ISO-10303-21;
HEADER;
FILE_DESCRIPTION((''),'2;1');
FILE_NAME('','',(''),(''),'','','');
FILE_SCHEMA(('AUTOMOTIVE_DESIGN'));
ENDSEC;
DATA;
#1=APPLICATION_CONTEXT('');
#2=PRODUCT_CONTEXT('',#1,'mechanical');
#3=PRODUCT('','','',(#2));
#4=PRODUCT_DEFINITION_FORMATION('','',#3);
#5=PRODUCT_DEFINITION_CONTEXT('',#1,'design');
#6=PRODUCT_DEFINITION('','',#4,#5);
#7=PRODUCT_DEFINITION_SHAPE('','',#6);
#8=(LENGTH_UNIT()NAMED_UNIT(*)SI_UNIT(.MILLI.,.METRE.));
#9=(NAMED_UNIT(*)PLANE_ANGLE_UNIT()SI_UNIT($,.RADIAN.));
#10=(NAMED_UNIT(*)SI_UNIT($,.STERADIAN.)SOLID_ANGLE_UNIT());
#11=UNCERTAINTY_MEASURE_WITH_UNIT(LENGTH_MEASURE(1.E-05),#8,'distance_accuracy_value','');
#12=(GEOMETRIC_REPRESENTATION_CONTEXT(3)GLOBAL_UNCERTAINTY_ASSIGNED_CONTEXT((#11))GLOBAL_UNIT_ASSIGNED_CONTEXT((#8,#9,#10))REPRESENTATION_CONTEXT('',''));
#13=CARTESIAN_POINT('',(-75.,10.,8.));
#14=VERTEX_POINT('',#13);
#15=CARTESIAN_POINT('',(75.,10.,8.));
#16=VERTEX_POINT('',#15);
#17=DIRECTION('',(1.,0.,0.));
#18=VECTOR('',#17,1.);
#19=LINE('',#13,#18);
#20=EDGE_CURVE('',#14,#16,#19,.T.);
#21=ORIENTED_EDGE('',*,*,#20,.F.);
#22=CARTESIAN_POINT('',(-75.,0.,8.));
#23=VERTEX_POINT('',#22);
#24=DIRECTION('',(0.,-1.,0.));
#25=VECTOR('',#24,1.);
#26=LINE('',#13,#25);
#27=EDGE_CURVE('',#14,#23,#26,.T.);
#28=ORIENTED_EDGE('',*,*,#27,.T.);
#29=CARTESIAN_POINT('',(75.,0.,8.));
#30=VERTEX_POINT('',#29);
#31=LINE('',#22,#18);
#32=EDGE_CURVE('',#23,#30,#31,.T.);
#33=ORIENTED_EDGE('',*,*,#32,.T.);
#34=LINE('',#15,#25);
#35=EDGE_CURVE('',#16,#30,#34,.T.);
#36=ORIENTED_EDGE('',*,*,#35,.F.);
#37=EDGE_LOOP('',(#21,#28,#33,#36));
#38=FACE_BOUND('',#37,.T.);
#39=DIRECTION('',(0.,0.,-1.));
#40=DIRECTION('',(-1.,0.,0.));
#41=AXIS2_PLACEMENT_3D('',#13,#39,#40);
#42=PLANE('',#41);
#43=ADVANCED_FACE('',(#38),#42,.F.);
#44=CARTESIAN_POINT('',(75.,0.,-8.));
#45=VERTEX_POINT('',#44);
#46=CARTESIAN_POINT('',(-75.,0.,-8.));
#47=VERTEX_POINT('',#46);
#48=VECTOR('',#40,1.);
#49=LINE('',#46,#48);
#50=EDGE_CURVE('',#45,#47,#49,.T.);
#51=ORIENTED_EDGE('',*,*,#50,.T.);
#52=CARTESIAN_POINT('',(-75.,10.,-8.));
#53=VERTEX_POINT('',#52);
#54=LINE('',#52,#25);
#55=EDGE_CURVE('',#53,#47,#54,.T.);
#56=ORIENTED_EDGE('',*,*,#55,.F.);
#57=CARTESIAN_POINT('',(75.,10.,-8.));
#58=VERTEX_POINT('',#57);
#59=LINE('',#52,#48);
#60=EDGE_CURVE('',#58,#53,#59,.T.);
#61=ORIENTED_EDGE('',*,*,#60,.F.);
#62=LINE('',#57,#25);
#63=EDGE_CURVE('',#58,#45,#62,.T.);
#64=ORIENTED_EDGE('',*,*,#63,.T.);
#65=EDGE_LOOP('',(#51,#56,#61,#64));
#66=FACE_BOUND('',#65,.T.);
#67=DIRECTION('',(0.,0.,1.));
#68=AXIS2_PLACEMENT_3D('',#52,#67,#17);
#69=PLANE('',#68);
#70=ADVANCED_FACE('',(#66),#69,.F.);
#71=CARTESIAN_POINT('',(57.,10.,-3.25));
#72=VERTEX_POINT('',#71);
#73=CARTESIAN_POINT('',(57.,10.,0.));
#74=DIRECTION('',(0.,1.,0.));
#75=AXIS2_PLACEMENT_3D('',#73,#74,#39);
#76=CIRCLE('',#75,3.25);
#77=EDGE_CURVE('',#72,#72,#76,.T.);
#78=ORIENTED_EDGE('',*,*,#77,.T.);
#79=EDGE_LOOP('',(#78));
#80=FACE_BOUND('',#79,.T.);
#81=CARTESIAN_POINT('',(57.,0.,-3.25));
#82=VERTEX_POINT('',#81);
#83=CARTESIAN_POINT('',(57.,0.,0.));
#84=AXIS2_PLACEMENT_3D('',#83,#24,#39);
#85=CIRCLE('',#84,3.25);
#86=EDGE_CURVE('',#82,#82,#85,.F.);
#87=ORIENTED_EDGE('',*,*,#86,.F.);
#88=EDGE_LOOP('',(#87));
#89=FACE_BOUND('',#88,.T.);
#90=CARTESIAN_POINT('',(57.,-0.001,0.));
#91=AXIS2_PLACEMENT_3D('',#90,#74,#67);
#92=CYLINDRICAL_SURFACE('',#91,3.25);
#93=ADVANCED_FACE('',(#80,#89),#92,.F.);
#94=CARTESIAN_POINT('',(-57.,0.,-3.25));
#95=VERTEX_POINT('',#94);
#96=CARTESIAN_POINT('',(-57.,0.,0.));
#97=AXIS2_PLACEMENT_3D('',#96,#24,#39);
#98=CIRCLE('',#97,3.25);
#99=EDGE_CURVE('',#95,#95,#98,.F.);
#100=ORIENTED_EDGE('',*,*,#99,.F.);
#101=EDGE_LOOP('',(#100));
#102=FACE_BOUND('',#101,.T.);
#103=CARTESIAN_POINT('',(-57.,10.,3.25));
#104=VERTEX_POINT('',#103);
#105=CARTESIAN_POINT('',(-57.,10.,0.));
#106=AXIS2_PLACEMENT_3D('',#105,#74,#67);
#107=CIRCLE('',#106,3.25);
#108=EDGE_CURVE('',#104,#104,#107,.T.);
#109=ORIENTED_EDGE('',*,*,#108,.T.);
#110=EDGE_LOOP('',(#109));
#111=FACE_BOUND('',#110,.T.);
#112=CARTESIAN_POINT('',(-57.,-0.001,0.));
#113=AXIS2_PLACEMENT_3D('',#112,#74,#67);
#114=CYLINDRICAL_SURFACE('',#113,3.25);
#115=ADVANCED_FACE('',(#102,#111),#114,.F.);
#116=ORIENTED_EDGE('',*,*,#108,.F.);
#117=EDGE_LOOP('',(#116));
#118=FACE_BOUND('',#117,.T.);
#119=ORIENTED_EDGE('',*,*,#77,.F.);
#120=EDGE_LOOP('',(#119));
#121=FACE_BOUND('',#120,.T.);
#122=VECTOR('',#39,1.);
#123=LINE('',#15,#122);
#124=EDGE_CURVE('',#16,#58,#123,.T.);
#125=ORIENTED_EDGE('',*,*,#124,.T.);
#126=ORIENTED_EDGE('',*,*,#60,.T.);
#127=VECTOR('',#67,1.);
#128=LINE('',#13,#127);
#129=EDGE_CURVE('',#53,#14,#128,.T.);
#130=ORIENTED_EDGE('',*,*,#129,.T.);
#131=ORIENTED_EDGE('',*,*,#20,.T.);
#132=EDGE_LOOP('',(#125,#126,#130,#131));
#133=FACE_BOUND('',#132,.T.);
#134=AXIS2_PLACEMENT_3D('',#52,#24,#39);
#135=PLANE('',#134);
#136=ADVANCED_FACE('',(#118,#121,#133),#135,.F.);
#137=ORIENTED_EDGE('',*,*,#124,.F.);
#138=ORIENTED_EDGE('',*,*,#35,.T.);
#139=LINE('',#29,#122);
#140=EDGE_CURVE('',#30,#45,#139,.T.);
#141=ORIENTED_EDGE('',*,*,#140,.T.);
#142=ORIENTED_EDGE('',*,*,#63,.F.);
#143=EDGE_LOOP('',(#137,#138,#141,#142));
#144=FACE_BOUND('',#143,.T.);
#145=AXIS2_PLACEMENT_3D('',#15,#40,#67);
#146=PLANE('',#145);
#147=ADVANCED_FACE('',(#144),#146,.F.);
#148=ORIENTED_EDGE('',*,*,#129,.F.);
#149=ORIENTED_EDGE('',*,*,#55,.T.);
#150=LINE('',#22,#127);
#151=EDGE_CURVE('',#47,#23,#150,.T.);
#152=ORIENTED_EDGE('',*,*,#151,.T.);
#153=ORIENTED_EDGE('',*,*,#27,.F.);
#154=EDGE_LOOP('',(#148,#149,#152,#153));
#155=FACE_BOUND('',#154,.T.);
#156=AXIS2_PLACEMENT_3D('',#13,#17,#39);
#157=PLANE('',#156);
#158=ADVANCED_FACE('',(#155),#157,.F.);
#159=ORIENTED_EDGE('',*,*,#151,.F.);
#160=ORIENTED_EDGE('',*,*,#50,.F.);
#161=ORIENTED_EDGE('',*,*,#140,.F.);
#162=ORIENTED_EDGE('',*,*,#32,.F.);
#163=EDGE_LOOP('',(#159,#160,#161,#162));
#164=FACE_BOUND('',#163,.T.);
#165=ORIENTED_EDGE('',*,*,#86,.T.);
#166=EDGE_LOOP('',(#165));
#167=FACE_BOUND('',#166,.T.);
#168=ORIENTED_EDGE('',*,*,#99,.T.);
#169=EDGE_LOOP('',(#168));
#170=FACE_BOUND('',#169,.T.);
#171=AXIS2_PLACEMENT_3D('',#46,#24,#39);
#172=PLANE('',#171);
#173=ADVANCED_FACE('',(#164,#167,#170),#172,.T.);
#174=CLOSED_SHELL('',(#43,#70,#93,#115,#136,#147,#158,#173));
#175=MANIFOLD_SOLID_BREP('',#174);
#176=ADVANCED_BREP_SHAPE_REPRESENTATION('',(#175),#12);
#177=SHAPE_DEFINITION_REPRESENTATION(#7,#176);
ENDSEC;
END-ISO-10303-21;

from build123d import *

# Parameters (mm, degrees)
SKETCH1_W           = 150
SKETCH1_H           = 16
BOSS_EXTRUDE1_DEPTH = 10
CUT_EXTRUDE1_REACH  = 78.085
SKETCH2_R           = 3.25


with BuildPart() as part:
    # Sketch1 → Boss-Extrude1 (new body)
    with BuildSketch(Plane(origin=(0, 0, 0), x_dir=(1, 0, 0), z_dir=(0, 1, 0))):
        Rectangle(SKETCH1_W, SKETCH1_H)
    extrude(amount=BOSS_EXTRUDE1_DEPTH)

    # Sketch2 → Cut-Extrude1 (cut, up to next)
    with BuildSketch(Plane(origin=(0, 10, 0), x_dir=(1, 0, 0), z_dir=(0, 1, 0)), mode=Mode.PRIVATE) as cut_extrude1_sk1:
        with Locations(Location((-57, 0, 0), (0, 0, 270))):
            Circle(SKETCH2_R)
    cut_extrude1_tool1 = extrude(cut_extrude1_sk1.sketch, amount=-CUT_EXTRUDE1_REACH, mode=Mode.PRIVATE) & part.part
    # Sketch2 → Cut-Extrude1 (cut, up to next)
    with BuildSketch(Plane(origin=(0, 10, 0), x_dir=(1, 0, 0), z_dir=(0, 1, 0)), mode=Mode.PRIVATE) as cut_extrude1_sk2:
        with Locations(Location((57, 0, 0), (0, 0, 90))):
            Circle(SKETCH2_R)
    cut_extrude1_tool2 = extrude(cut_extrude1_sk2.sketch, amount=-CUT_EXTRUDE1_REACH, mode=Mode.PRIVATE) & part.part
    add(cut_extrude1_tool1.solids().sort_by_distance((-57, 10, 0))[0], mode=Mode.SUBTRACT)
    add(cut_extrude1_tool2.solids().sort_by_distance((57, 10, 0))[0], mode=Mode.SUBTRACT)


solid = part.part
